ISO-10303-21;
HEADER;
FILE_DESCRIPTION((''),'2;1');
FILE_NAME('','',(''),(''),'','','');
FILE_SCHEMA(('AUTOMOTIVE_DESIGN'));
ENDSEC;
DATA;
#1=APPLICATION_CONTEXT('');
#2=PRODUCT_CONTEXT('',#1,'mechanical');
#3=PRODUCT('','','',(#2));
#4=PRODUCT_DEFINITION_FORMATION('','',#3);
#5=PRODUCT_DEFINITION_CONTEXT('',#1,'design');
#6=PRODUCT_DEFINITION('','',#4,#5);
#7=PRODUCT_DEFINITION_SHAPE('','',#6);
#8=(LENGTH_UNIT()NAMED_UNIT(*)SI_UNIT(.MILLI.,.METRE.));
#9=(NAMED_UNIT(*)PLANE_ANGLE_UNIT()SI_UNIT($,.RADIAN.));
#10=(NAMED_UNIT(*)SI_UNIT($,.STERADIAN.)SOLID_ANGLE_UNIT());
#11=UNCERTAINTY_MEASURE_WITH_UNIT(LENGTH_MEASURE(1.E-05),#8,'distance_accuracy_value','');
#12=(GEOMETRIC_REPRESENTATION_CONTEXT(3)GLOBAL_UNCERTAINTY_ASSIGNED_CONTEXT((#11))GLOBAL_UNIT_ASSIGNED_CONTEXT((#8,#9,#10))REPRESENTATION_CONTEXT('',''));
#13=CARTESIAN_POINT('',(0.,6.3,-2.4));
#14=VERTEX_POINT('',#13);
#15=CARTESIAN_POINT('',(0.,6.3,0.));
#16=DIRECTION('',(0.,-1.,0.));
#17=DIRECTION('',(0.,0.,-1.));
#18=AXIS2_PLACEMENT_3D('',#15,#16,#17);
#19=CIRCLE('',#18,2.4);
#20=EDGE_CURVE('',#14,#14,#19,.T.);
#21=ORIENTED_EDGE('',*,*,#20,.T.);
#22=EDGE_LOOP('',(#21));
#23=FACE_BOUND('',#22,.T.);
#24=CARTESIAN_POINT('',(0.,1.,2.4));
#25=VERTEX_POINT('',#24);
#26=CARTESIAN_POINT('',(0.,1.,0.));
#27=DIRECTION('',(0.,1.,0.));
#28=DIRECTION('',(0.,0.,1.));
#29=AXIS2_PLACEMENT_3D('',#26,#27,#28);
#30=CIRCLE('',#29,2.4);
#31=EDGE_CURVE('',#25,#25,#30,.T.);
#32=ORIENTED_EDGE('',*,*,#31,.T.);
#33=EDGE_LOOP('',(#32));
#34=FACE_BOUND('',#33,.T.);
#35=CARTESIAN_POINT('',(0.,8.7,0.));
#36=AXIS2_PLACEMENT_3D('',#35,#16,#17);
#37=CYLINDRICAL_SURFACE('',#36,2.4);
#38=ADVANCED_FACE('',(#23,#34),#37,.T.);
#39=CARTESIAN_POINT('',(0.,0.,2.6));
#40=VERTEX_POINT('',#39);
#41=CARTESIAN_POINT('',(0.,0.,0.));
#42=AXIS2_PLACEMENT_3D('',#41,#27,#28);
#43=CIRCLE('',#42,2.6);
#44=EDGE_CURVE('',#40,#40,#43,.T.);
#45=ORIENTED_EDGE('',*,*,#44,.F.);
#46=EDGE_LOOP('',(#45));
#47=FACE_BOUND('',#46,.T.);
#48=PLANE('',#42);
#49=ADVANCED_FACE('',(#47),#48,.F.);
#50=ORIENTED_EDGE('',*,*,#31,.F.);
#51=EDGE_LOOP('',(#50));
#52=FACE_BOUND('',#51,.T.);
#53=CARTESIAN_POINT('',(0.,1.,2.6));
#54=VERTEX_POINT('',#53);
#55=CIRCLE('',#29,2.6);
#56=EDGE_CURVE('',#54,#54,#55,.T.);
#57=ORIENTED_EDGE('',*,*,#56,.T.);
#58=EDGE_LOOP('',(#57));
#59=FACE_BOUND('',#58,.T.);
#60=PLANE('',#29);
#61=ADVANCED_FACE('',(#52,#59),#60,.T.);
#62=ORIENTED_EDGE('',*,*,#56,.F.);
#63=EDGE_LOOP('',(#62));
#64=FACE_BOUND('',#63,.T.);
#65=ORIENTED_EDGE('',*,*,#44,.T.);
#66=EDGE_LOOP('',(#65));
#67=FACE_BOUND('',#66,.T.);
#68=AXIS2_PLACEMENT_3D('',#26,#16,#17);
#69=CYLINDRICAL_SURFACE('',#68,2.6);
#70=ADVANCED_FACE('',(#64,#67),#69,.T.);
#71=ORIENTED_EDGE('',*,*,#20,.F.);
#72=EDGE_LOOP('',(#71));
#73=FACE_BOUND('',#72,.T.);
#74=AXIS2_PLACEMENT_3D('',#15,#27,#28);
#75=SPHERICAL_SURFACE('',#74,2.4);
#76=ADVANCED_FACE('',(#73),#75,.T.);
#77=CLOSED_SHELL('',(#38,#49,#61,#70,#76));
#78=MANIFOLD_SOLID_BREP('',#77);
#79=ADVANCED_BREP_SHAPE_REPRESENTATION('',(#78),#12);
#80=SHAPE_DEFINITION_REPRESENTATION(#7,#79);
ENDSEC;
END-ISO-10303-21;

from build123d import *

# Parameters (mm, degrees)
SKETCH1_R           = 2.4
BOSS_EXTRUDE1_DEPTH = 8.7
FILLET1_R           = 2.4
SKETCH2_R           = 2.6
BOSS_EXTRUDE2_DEPTH = 1


with BuildPart() as part:
    # Sketch1 → Boss-Extrude1 (new body)
    with BuildSketch(Plane(origin=(0, 0, 0), x_dir=(1, 0, 0), z_dir=(0, 1, 0))):
        with Locations(Location((0, 0, 0), (0, 0, 270))):
            Circle(SKETCH1_R)
    extrude(amount=BOSS_EXTRUDE1_DEPTH)

    # Fillet1
    fillet1_edges = [part.edges().sort_by_distance(p)[0] for p in [
        (0, 8.7, -2.4),
    ]]
    fillet(fillet1_edges, radius=FILLET1_R)

    # Sketch2 → Boss-Extrude2 (add)
    with BuildSketch(Plane(origin=(0, 0, 0), x_dir=(1, 0, 0), z_dir=(0, 1, 0))):
        with Locations(Location((0, 0, 0), (0, 0, 270))):
            Circle(SKETCH2_R)
    extrude(amount=BOSS_EXTRUDE2_DEPTH)


solid = part.part
